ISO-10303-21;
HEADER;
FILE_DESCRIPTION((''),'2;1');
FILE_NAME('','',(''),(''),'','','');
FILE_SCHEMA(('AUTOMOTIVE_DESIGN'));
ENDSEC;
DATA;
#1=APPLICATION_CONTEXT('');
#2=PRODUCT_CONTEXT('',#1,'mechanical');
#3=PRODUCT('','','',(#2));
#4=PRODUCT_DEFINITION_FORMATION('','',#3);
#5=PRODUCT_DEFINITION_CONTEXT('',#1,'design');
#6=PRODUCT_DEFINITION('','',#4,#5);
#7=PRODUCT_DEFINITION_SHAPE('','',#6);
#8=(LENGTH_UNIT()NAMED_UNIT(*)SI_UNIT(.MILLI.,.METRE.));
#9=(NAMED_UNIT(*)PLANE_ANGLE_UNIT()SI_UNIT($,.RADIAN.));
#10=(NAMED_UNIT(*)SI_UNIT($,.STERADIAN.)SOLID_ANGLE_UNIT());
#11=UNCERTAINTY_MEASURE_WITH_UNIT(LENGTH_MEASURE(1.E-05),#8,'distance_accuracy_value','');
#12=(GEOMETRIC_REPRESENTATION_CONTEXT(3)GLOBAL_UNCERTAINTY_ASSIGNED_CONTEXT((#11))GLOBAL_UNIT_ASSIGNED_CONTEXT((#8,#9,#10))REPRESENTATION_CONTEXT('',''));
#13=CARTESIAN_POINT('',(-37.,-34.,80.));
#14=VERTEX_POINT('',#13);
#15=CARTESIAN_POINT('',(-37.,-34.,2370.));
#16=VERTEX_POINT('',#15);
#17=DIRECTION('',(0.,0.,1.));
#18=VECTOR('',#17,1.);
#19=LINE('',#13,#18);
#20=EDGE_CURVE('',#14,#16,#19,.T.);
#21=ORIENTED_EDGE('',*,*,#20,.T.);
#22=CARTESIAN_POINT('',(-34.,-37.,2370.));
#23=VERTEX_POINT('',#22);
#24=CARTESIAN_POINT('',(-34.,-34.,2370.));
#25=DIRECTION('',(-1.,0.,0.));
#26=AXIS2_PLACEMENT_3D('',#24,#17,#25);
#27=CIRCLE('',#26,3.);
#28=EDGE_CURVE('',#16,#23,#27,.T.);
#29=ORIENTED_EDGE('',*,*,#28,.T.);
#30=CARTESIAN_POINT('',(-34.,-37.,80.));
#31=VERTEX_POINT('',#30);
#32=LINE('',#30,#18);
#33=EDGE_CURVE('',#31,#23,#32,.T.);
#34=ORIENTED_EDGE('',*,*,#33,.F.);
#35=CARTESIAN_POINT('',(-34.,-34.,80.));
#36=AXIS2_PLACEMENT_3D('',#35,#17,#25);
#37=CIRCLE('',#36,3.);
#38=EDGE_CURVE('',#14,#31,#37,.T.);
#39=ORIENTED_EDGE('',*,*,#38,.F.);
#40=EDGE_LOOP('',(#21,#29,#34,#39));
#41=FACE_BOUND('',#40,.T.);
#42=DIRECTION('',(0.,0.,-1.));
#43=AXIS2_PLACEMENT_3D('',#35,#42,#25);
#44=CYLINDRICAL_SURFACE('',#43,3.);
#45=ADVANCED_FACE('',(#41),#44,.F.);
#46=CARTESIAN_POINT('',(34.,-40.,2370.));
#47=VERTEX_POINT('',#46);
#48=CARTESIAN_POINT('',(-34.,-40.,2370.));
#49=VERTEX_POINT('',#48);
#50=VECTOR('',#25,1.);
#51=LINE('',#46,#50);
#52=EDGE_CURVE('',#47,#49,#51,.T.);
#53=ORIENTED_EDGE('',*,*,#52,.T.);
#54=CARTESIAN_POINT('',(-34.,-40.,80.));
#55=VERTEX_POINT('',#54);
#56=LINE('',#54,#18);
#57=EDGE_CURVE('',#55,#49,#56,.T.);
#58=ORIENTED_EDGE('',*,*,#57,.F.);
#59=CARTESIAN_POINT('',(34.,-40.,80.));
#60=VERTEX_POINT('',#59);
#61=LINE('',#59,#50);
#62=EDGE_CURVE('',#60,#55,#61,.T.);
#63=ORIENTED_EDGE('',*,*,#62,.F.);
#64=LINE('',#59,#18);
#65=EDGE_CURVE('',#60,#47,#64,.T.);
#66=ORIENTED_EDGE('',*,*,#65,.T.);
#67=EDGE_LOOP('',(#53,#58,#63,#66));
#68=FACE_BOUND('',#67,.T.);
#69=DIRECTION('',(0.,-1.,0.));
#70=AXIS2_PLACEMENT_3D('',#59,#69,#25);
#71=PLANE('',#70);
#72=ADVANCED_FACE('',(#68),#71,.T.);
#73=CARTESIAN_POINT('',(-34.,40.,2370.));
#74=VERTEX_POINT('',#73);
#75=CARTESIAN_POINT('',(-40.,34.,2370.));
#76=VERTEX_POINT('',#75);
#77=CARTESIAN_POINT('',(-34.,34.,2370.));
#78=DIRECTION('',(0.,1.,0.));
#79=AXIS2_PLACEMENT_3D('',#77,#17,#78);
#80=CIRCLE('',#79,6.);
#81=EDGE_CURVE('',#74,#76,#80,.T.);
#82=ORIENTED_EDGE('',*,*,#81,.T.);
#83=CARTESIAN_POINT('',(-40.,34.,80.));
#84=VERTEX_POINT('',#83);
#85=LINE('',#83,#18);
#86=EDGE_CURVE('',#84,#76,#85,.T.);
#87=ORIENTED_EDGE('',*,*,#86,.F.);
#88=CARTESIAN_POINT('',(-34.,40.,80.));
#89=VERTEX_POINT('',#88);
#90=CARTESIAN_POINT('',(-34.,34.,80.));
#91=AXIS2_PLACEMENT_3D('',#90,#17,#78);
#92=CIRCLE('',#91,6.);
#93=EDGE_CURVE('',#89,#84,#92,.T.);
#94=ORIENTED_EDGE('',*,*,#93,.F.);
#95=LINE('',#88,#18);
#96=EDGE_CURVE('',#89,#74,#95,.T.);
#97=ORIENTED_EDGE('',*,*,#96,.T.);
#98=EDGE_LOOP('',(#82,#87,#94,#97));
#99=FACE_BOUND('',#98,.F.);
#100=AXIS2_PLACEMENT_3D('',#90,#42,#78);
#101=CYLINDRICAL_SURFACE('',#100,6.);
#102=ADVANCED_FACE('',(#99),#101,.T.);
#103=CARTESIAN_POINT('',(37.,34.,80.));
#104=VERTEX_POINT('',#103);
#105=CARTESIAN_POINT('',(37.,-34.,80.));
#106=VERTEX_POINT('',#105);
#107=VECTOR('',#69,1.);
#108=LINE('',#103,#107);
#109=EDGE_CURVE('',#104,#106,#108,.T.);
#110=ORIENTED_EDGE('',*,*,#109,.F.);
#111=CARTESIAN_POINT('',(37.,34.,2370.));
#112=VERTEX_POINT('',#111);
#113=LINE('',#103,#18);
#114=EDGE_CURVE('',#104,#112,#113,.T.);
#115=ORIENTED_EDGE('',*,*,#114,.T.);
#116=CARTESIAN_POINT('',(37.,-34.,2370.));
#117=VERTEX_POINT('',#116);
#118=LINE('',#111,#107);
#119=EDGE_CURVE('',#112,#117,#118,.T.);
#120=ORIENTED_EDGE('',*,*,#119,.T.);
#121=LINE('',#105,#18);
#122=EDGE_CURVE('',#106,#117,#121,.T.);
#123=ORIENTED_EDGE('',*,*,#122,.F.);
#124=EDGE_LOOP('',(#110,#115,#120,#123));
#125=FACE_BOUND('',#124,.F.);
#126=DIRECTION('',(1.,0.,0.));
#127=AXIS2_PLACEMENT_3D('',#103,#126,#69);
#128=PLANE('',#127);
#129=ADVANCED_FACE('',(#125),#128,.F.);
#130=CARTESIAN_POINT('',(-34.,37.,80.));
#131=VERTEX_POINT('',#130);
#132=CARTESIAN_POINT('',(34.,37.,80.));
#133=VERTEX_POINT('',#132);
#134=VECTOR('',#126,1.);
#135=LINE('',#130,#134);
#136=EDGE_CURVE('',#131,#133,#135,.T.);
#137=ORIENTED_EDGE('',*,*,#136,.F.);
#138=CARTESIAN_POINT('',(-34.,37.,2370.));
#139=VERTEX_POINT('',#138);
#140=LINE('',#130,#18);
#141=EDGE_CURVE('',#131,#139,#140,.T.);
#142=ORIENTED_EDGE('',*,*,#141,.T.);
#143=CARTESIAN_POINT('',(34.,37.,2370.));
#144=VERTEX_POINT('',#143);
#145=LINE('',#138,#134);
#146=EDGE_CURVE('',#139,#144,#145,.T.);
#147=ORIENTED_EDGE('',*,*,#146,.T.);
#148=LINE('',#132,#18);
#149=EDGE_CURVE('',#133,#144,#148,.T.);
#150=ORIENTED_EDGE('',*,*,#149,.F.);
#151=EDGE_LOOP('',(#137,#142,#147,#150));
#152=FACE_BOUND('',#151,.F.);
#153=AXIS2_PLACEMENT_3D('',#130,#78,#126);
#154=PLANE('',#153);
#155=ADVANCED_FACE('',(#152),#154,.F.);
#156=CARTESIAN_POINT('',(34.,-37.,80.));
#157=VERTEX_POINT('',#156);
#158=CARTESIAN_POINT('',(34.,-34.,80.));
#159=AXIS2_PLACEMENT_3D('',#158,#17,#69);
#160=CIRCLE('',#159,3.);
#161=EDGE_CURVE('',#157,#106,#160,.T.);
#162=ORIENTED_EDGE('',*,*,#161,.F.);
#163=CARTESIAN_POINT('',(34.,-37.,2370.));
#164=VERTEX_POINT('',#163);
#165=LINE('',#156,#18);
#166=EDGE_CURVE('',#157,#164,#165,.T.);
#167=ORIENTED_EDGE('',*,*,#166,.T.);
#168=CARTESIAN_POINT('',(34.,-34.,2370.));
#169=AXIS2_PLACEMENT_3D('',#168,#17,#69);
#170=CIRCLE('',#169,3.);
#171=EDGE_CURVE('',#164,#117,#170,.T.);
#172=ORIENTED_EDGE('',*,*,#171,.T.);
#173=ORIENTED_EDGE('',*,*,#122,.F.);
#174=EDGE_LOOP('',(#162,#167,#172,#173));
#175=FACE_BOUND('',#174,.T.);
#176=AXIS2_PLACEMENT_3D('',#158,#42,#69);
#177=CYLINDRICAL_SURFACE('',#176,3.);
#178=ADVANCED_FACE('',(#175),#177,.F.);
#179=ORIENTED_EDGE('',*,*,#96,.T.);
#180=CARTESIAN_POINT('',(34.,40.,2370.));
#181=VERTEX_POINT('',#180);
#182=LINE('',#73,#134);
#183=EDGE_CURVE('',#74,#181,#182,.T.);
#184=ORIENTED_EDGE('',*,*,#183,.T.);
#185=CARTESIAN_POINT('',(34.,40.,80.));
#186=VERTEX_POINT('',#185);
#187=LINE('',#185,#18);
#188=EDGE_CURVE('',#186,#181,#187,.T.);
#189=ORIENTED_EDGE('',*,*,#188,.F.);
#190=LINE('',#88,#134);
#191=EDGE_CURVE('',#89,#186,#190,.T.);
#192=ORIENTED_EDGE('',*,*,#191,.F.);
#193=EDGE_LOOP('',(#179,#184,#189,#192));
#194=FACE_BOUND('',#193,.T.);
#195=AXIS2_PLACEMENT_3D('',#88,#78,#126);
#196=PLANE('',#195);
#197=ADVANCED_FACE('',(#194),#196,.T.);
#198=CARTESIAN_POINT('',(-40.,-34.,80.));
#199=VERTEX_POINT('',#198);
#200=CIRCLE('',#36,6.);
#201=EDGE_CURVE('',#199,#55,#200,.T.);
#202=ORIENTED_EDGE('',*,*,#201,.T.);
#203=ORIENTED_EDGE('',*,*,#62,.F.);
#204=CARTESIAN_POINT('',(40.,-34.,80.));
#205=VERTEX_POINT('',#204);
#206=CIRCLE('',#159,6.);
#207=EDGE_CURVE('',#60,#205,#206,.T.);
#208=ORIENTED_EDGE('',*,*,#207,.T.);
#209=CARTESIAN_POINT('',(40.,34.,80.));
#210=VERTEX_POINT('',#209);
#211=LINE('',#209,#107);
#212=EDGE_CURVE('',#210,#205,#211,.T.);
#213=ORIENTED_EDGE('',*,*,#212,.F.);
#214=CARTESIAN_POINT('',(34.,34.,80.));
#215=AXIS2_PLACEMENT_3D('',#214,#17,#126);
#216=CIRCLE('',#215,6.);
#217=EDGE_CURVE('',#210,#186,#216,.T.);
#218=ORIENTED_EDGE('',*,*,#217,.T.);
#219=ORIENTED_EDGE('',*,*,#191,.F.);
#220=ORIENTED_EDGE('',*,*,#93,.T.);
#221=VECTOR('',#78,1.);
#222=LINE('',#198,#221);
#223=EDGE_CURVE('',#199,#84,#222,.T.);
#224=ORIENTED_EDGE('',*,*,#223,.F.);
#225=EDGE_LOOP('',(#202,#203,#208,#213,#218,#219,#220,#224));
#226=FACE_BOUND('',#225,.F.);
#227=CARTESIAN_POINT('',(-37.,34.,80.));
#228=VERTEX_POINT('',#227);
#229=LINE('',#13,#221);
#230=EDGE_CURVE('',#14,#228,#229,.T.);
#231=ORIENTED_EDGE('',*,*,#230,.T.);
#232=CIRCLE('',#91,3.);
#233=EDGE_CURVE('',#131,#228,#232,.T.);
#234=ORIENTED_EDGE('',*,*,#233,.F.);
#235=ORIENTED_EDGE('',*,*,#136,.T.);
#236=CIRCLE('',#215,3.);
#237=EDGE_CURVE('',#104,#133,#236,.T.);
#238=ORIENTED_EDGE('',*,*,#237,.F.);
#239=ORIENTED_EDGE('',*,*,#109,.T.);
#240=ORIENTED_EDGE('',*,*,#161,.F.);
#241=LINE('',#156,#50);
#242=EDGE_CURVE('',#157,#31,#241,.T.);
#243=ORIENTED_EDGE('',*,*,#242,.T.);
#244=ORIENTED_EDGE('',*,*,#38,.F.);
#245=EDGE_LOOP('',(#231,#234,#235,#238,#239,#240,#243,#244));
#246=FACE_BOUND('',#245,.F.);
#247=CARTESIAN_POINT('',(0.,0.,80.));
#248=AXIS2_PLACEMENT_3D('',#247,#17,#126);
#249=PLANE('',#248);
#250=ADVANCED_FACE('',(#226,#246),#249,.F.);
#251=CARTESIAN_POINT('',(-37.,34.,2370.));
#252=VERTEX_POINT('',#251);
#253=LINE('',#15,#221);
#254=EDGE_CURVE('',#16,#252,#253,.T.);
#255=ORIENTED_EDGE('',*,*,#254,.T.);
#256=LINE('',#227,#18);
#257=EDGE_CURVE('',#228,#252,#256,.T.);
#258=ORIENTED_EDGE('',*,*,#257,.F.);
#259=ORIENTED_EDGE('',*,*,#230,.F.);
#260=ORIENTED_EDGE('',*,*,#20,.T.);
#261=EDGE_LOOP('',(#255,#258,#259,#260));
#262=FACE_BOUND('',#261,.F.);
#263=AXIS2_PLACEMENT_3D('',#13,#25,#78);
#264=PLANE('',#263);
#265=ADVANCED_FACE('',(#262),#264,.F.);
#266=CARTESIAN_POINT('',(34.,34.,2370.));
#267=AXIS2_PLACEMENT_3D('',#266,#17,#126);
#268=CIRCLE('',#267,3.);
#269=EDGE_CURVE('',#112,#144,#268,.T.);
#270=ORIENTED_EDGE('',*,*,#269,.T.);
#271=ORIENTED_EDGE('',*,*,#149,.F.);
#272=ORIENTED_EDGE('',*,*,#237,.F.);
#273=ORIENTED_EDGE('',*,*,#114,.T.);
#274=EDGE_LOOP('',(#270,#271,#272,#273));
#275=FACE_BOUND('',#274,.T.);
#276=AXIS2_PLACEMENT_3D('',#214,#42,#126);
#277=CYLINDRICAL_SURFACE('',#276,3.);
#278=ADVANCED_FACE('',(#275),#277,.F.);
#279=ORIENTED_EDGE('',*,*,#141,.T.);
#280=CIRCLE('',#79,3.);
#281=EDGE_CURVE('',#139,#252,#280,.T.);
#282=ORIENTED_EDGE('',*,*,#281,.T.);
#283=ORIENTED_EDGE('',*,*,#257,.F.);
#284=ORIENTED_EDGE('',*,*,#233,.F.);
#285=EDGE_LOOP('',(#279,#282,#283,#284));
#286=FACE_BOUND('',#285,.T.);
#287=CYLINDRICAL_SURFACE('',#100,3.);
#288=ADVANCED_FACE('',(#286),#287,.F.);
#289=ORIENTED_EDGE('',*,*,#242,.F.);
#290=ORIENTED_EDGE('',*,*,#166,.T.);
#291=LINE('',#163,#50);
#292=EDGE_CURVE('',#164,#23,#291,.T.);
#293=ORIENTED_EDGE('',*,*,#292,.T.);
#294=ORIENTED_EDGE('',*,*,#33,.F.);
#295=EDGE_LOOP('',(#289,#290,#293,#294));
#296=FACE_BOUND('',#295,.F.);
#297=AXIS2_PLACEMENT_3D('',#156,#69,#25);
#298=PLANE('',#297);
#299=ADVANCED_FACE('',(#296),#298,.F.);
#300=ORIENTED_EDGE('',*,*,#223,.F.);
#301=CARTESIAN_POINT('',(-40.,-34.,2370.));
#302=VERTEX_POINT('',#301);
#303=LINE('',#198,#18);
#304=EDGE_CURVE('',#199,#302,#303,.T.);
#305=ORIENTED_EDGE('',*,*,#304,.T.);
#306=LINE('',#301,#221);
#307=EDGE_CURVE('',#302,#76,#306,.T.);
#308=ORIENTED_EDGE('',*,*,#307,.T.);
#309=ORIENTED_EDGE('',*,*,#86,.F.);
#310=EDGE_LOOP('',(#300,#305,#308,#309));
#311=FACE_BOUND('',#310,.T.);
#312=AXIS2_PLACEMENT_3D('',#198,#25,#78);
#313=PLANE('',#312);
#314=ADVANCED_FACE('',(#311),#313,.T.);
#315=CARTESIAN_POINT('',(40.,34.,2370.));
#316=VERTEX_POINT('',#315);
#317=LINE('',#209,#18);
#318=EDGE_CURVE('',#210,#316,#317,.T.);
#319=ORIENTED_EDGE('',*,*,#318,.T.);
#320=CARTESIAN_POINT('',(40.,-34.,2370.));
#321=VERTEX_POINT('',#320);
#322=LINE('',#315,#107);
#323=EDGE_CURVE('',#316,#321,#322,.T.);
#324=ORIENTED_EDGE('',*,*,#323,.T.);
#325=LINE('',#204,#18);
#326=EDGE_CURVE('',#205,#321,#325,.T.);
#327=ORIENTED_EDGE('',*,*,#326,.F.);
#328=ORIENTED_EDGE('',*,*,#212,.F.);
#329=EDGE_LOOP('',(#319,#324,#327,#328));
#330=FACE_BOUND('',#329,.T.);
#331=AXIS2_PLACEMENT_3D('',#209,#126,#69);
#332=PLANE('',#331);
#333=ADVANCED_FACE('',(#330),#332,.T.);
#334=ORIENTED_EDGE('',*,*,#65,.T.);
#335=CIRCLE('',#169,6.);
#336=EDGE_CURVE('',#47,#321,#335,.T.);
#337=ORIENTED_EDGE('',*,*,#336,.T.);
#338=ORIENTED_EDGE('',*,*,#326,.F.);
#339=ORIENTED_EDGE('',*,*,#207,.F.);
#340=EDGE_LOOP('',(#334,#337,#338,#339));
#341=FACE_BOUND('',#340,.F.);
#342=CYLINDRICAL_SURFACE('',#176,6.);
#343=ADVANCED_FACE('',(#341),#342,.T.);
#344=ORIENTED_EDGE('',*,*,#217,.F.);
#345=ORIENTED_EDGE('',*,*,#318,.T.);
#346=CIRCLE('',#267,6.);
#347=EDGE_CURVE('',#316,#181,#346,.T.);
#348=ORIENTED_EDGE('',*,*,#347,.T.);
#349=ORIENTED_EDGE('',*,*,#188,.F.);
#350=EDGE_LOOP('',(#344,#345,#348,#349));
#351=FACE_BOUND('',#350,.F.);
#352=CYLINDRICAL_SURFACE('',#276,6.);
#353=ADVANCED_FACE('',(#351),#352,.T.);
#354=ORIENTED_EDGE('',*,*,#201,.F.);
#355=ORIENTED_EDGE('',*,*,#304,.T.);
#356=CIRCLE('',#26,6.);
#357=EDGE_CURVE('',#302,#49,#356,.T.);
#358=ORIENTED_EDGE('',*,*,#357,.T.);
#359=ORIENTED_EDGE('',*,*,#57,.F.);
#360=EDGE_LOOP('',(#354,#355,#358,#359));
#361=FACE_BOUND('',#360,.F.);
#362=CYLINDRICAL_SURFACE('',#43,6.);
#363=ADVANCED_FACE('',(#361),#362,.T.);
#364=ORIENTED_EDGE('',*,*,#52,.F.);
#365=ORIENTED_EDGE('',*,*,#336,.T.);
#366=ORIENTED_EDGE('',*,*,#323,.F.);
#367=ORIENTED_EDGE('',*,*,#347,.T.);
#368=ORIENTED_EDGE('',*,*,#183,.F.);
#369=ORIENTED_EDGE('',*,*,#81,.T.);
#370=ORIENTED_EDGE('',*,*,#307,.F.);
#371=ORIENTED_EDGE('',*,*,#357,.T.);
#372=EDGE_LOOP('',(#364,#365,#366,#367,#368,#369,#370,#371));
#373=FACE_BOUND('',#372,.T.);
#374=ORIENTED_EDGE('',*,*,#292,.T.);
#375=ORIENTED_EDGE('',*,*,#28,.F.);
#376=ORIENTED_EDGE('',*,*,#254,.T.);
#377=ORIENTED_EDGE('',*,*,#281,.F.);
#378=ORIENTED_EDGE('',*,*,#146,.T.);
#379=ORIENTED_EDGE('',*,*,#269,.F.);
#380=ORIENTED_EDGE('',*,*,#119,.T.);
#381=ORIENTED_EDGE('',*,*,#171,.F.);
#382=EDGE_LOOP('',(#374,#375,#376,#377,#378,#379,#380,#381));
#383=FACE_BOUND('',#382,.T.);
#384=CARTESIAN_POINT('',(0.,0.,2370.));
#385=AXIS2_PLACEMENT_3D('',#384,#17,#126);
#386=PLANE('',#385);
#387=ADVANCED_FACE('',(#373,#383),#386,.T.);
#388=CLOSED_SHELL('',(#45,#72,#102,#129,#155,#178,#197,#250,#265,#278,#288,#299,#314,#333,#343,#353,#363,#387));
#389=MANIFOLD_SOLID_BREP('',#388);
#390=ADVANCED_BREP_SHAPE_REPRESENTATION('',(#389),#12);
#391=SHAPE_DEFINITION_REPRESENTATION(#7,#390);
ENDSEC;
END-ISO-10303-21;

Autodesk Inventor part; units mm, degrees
ref_plane "YZ Plane" through (0, 0, 0) normal (1, 0, 0) x (0, 1, 0)
ref_plane "Start Plane" through (0, 0, 80) normal (0, 0, 1) x (1, 0, 0)
ref_plane "End Plane" through (0, 0, 2370) normal (0, 0, 1) x (1, 0, 0)
sketch "Sketch" plane through (0, 0, 0) normal (0, 0, 1) x (1, 0, 0)
  line L0 (-40, -34) -> (-40, 34)
  line L1 (-34, 40) -> (34, 40)
  line L2 (40, 34) -> (40, -34)
  line L3 (34, -40) -> (-34, -40)
  arc A0 (-40, -34) -> (-34, -40) centre (-34, -34) ccw
  arc A1 (40, 34) -> (34, 40) centre (34, 34) ccw
  arc A2 (-34, 40) -> (-40, 34) centre (-34, 34) ccw
  arc A3 (34, -40) -> (40, -34) centre (34, -34) ccw
  arc A4 (-34, 37) -> (-37, 34) centre (-34, 34) ccw
  line L4 (-34, 37) -> (34, 37)
  arc A5 (37, 34) -> (34, 37) centre (34, 34) ccw
  line L5 (37, 34) -> (37, -34)
  arc A6 (34, -37) -> (37, -34) centre (34, -34) ccw
  line L6 (34, -37) -> (-34, -37)
  arc A7 (-37, -34) -> (-34, -37) centre (-34, -34) ccw
  line L7 (-37, -34) -> (-37, 34)
  line L8 (0, 57.7397) -> (0, -57.7397) construction
  line L9 (-57.7397, 0) -> (57.7397, 0) construction
  dimension "d7" = 6
  dimension "d9" = 80
  dimension "d11" = 80
  dimension "d12" = 3
  dimension "d15" = 40
  dimension "d16" = 40
extrude "Body" add sketch "Sketch" along normal up to surface (2290 mm away) from surface at 80
sketch "Sketch3" plane through (0, 0, 0) normal (0, 0, 1) x (1, 0, 0)
  line L0 (0, 0) -> (10, 0)
ref_plane "Work Plane3" through (0, 0, 0) normal (0, -1, 0) x (1, 0, 0)
sketch "Sketch4" plane through (0, 0, 0) normal (0, -1, 0) x (1, 0, 0)
  line L0 (-2, 80) -> (12, 80) projected
  line L1 (-2, 2370) -> (12, 2370) projected
  dimension "d18" = 2290
equation "\"d7\" = G_IR"
equation "\"d9\" = G_W"
equation "\"d11\" = G_H"
equation "\"d12\" = G_T"
equation "\"d15\" = 0.5 * d9"
equation "\"d16\" = 0.5 * d11"
equation "\"d3\" = G_L"
equation "\"G_W\" = 80"
equation "\"G_H\" = 80"
equation "\"G_T\" = 3"
equation "\"G_IR\" = 6"
equation "\"G_L\" = d18"
properties part number "ISO 10799-2 - 80x80x3 - 2290" material "Steel, Mild"
